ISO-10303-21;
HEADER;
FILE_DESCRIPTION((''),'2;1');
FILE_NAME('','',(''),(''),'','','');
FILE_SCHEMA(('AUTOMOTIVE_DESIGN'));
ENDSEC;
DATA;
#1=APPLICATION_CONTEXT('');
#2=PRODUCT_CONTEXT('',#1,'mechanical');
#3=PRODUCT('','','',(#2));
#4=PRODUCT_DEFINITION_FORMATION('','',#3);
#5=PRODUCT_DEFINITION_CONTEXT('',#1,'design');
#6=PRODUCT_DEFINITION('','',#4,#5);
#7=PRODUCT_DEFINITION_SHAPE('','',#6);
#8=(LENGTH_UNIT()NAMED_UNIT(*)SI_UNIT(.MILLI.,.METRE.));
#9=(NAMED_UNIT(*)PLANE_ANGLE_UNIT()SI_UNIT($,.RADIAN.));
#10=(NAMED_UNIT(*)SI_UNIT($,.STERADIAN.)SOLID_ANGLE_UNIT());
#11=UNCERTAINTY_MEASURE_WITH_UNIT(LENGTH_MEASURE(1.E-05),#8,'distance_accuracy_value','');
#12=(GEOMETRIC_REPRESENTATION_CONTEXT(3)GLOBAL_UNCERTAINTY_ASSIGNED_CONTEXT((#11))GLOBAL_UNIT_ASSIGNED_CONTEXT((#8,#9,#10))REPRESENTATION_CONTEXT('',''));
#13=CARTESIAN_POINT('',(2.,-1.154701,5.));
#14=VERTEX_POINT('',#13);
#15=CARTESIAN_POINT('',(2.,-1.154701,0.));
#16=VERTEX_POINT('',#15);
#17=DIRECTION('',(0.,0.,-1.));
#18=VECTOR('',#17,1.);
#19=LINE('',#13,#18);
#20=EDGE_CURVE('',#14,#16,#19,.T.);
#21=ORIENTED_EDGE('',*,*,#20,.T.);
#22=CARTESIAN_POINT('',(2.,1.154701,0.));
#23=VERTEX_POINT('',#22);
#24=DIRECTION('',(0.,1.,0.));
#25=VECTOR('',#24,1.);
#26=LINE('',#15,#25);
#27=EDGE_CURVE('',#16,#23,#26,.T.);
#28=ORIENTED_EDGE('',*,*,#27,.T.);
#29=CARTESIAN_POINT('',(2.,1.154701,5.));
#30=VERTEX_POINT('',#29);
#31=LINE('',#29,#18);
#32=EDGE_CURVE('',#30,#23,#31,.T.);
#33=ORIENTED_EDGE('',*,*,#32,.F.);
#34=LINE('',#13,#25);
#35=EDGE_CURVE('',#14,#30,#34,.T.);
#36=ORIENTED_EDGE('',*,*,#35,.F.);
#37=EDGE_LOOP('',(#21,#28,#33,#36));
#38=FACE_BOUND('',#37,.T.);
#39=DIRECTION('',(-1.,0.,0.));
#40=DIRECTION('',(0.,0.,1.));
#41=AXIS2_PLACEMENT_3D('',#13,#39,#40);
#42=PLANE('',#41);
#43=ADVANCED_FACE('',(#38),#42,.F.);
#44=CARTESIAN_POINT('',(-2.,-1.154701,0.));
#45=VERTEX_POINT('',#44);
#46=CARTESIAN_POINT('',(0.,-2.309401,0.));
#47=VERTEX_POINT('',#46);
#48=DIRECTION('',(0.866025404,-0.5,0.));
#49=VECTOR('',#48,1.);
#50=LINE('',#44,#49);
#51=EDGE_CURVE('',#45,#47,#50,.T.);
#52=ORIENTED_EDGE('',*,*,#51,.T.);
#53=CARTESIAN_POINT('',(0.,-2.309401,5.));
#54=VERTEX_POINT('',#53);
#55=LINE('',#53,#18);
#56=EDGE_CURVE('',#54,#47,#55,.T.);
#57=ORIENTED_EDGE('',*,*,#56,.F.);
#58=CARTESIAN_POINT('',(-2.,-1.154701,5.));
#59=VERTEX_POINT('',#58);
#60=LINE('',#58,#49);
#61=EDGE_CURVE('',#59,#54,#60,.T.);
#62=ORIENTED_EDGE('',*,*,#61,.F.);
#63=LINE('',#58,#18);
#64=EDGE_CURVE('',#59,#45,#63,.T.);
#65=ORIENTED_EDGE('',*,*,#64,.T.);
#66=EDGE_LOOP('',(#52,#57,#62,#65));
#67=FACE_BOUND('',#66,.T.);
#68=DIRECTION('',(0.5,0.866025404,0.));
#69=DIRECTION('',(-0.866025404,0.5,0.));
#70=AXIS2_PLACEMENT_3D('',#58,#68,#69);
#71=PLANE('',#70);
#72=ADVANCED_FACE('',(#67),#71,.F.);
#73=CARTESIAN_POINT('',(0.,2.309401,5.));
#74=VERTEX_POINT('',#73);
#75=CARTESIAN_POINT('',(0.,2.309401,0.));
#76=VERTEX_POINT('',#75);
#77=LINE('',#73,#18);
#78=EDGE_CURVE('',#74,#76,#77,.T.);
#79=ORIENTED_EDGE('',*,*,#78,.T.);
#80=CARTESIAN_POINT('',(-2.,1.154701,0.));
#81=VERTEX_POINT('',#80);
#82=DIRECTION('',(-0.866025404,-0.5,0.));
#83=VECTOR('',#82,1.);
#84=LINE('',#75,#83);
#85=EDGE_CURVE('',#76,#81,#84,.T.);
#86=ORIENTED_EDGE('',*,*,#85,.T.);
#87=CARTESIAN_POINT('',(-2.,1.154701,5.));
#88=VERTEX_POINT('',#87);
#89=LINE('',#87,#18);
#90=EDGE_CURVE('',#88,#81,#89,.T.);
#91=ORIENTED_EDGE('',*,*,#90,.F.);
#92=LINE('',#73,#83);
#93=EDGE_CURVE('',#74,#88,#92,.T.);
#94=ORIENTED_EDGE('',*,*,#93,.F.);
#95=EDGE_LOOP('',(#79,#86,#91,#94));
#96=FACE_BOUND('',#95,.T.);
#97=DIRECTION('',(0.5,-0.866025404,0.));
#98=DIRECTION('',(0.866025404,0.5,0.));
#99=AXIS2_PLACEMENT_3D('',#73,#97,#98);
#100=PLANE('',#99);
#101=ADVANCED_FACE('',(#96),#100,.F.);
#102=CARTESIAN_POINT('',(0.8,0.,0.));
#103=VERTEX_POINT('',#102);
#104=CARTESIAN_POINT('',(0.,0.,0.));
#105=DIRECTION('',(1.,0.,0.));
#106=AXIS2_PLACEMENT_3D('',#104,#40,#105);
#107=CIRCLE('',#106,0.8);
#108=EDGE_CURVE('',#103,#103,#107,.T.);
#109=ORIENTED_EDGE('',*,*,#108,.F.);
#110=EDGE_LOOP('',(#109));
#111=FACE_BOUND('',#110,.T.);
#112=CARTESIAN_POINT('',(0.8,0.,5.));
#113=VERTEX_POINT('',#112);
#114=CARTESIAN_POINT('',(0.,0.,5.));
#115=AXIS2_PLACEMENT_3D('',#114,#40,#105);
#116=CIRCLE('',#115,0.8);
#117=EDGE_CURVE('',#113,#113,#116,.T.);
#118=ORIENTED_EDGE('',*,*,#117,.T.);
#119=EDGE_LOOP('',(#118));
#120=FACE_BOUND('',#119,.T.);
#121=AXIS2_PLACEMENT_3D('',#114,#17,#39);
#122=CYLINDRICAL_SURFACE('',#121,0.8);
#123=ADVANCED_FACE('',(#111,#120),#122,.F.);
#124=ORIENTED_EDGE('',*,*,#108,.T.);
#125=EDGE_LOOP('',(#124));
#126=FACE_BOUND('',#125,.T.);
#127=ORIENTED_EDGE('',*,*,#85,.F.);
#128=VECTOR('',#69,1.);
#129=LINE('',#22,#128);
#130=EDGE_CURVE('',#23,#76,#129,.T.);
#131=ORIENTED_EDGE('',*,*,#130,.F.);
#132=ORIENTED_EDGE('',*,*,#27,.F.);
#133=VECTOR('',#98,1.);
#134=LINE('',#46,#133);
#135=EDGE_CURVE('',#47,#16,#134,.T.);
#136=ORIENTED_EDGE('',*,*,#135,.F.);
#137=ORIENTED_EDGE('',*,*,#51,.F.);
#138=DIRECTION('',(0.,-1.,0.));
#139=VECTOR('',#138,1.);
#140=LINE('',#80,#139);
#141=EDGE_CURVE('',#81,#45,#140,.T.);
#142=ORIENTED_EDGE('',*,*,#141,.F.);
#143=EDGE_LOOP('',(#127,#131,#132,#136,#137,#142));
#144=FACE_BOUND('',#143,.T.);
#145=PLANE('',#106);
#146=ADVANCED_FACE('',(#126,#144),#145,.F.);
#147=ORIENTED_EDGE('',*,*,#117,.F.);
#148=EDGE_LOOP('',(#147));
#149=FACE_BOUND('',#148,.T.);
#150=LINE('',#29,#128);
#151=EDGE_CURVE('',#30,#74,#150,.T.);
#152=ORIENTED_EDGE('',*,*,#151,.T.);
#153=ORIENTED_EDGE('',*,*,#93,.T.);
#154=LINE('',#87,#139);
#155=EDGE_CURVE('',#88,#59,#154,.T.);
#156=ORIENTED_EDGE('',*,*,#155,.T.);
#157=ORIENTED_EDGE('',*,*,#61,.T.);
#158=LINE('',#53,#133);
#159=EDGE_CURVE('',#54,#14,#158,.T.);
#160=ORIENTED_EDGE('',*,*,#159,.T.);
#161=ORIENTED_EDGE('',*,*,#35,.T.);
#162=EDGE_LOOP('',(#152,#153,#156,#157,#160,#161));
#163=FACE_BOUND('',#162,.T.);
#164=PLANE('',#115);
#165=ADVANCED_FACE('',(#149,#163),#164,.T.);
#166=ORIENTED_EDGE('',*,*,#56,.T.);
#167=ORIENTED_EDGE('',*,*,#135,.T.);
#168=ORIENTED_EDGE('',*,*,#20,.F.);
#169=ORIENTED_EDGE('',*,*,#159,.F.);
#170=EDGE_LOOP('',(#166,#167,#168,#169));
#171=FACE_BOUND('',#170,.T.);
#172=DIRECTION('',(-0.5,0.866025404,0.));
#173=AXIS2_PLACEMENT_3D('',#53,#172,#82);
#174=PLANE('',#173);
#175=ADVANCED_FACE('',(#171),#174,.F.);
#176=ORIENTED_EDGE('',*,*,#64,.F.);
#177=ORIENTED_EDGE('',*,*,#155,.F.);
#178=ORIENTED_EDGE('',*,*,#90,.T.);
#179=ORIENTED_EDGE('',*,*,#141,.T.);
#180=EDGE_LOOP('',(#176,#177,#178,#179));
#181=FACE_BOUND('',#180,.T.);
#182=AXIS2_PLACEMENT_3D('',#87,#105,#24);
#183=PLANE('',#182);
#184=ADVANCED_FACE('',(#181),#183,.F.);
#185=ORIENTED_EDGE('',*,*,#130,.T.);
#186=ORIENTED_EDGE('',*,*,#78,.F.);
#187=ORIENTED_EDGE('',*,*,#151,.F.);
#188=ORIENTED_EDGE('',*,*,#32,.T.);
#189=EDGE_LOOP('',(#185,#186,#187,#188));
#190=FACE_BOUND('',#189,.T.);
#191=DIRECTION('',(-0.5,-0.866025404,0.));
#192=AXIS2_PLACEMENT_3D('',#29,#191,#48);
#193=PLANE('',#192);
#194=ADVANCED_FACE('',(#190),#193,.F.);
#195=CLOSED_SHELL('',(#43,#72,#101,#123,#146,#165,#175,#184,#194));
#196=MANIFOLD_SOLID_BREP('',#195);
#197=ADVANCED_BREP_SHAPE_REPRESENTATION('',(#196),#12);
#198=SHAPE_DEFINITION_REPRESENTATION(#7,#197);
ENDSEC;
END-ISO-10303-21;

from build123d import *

# Parameters (mm, degrees)
SKETCH_1_R            = 0.8
BRASS_AF4_L5_M2_DEPTH = 5


with BuildPart() as part:
    # 草图1 → Brass_AF4_L5_M2 (new body)
    with BuildSketch(Plane.XY):
        Polygon((2, 1.154700538), (0, 2.309401077), (-2, 1.154700538), (-2, -1.154700538), (0, -2.309401077), (2, -1.154700538), align=None)
        Circle(SKETCH_1_R, mode=Mode.SUBTRACT)
    extrude(amount=BRASS_AF4_L5_M2_DEPTH)


solid = part.part
